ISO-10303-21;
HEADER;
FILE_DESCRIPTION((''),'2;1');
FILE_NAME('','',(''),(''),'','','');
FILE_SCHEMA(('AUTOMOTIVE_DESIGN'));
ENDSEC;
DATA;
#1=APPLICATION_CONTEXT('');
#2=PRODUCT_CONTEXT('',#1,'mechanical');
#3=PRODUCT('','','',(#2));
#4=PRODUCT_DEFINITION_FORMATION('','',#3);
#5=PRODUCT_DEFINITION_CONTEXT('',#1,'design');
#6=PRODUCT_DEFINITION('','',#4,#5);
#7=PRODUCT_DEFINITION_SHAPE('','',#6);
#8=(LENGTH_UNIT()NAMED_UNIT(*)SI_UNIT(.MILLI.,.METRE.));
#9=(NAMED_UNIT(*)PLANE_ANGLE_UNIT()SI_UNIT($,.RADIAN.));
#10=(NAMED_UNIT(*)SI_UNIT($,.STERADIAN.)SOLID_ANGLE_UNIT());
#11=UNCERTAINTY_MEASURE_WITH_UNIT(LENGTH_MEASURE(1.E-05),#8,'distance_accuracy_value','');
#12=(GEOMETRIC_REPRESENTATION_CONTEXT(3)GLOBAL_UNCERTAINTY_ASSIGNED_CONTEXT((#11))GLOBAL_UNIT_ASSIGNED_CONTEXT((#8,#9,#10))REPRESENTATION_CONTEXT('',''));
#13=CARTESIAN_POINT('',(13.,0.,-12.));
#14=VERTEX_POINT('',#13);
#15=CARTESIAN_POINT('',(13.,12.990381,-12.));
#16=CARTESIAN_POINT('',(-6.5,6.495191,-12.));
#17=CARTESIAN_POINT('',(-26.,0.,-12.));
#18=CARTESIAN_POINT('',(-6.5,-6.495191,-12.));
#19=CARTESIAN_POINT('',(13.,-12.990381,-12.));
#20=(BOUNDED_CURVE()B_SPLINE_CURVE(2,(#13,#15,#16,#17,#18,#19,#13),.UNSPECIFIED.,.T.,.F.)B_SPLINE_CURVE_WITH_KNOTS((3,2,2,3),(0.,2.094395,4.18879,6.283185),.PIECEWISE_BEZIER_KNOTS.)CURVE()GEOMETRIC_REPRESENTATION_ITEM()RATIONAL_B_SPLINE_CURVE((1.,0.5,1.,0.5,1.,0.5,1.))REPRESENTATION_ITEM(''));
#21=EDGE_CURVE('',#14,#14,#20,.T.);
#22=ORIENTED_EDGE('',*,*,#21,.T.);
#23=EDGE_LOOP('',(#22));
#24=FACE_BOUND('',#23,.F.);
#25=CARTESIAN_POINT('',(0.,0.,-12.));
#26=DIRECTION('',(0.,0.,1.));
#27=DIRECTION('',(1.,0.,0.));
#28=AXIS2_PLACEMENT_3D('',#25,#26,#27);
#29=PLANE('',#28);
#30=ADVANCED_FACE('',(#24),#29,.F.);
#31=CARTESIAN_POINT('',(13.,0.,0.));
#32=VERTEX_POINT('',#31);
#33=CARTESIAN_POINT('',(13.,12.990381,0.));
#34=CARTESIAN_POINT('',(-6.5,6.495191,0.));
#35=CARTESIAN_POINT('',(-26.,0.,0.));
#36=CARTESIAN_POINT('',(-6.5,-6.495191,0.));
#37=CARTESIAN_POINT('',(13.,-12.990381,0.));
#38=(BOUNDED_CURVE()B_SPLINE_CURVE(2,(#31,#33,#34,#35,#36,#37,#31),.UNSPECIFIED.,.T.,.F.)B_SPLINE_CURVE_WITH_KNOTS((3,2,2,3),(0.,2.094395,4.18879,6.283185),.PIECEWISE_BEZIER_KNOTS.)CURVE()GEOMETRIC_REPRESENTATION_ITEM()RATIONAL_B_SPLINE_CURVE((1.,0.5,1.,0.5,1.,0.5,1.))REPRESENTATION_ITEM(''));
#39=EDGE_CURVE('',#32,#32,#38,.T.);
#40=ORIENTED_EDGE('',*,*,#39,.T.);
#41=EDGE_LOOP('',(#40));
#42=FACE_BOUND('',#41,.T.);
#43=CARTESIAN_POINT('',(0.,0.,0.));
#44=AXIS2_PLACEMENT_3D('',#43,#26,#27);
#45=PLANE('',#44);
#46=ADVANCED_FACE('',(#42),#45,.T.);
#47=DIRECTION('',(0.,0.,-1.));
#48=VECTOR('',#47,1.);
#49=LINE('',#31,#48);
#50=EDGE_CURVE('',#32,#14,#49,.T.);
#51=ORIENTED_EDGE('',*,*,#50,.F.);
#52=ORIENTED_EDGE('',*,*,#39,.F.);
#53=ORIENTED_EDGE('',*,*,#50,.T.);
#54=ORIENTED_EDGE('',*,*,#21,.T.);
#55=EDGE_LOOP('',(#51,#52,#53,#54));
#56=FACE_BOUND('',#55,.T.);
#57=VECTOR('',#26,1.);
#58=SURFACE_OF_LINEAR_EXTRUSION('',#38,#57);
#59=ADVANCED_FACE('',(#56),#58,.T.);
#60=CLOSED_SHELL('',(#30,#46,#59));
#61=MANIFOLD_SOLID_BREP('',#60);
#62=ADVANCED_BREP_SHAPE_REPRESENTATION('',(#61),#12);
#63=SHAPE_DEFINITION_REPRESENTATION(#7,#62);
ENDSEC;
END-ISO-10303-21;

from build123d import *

# Parameters (mm, degrees)
F1_DEPTH = 12


with BuildPart() as f1:
    # F0 (on Top) → F1 (new body)
    with BuildSketch(Plane.XY):
        with BuildLine():
            add(Edge.make_bspline(
                [(13, 0), (13, 12.990381), (-6.5, 6.495191), (-26, 0), (-6.5, -6.495191), (13, -12.990381), (13, 0)],
                knots=[0, 0, 0, 2.094395, 2.094395, 4.18879, 4.18879, 6.283185, 6.283185, 6.283185], degree=2, weights=[1, 0.5, 1, 0.5, 1, 0.5, 1]))
        make_face()
    extrude(amount=-F1_DEPTH)


solid = f1.part
